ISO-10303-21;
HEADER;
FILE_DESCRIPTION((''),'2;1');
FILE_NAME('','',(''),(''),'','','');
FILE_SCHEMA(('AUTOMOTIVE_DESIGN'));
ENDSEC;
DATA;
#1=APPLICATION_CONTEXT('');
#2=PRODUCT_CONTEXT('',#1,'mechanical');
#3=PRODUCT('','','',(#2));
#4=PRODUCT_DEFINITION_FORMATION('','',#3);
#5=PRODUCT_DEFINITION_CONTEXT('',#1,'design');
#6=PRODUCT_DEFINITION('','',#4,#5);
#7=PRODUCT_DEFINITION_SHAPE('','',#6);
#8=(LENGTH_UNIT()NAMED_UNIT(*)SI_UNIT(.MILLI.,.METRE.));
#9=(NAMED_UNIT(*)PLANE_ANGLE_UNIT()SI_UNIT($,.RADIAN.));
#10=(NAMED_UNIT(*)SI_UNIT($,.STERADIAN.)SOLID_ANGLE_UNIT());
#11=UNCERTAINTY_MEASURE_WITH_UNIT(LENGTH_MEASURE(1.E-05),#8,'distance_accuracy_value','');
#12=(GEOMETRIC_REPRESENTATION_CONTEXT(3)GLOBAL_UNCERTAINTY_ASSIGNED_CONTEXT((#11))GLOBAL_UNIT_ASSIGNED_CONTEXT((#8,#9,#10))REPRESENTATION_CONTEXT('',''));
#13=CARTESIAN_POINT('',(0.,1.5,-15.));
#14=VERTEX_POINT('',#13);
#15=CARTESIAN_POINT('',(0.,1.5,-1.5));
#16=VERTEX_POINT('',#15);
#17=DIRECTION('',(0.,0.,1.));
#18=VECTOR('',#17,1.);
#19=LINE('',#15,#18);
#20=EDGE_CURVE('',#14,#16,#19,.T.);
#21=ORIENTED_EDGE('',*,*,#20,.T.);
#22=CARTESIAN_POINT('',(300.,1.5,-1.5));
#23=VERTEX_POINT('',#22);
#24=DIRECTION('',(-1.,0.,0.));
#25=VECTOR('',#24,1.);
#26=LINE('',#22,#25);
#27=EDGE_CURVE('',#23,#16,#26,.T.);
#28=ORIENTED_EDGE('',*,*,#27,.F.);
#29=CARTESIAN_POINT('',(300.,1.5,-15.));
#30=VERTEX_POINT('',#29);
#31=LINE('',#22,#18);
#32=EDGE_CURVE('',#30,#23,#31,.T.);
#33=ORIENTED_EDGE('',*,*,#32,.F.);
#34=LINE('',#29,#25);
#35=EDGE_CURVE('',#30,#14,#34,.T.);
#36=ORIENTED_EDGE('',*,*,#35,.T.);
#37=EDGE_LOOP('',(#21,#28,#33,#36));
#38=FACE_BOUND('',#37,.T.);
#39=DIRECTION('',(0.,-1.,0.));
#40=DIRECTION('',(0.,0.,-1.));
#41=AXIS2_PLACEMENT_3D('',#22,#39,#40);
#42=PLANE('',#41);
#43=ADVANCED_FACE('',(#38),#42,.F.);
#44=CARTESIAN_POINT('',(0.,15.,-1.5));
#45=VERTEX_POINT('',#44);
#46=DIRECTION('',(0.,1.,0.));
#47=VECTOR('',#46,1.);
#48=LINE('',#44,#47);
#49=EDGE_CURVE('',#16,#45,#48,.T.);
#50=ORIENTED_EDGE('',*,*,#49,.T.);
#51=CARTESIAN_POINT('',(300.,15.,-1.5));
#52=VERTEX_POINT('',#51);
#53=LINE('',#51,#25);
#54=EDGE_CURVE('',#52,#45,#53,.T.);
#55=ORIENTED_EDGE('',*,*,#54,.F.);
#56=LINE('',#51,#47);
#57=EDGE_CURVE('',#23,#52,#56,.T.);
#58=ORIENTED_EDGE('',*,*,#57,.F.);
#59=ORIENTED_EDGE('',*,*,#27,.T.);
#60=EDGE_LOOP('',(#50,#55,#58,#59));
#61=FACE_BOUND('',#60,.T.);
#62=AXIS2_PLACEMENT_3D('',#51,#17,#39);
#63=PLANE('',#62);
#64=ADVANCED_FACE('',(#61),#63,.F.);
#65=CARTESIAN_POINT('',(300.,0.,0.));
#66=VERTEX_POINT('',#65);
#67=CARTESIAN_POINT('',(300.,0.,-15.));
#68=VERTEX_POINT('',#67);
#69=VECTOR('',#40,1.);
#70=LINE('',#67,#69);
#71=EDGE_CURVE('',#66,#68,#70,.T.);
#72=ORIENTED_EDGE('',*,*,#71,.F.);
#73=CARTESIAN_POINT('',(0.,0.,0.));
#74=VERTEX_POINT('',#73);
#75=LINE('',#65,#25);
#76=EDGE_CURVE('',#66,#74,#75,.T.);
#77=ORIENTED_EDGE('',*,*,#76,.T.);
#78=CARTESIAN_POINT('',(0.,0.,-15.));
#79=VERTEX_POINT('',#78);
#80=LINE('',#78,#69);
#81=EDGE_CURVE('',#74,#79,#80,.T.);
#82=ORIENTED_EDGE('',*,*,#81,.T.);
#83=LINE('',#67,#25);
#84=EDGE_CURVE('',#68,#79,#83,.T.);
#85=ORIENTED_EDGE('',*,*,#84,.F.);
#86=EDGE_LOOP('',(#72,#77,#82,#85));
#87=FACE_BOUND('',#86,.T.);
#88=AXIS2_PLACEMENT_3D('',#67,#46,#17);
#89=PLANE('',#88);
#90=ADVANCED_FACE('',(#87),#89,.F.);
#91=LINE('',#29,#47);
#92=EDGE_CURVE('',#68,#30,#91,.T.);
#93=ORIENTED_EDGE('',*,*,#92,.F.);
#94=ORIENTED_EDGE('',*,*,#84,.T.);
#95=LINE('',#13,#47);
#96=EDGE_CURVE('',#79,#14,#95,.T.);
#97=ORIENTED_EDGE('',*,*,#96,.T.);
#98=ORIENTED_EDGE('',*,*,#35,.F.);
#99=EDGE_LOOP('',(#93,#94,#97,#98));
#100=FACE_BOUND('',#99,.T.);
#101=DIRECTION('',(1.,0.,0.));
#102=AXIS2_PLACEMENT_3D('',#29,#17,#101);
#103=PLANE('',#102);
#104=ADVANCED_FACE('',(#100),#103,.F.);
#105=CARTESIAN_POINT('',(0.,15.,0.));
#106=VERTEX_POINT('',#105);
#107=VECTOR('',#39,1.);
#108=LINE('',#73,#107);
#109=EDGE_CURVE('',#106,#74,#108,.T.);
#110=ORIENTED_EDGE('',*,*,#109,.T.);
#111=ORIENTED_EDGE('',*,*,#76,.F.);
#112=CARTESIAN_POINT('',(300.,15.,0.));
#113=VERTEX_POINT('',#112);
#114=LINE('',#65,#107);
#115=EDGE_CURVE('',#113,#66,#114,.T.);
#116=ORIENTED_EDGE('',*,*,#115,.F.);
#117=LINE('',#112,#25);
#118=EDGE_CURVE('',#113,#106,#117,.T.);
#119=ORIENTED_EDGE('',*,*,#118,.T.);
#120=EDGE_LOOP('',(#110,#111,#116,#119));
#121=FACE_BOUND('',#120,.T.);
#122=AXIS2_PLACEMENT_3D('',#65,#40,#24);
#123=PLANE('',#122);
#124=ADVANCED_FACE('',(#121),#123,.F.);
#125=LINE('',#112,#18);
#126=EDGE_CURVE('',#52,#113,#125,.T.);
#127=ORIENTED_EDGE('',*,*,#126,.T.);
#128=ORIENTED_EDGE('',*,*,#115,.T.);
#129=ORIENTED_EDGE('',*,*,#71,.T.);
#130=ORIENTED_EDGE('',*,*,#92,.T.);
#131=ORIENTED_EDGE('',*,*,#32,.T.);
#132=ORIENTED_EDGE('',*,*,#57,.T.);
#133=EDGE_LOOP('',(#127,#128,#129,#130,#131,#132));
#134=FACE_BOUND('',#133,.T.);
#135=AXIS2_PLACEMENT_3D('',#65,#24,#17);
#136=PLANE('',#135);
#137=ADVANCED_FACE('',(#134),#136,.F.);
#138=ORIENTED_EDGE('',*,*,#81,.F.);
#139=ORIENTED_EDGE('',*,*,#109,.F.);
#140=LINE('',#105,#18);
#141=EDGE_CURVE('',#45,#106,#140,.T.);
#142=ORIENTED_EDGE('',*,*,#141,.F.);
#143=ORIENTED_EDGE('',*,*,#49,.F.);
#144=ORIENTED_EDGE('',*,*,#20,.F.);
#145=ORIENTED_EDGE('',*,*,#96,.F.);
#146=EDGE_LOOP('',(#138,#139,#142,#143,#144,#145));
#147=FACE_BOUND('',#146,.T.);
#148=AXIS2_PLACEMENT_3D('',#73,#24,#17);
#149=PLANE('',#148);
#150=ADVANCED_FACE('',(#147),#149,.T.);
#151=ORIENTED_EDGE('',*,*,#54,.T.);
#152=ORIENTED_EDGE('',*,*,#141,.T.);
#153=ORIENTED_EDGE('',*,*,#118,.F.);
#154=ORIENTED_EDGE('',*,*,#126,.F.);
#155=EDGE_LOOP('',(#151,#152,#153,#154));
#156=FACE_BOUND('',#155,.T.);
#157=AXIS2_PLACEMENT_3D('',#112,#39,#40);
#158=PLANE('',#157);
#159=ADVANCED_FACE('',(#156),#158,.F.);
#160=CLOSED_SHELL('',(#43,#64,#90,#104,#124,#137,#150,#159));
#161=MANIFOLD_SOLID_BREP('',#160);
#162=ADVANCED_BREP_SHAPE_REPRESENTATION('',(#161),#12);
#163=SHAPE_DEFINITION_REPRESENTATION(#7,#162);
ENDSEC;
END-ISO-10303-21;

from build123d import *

# Parameters (mm, degrees)
EXTRUDE_1_DEPTH = 300


with BuildPart() as part:
    # Эскиз1 → Бобышка-Вытянуть1 (new body)
    with BuildSketch(Plane(origin=(0, 0, 0), x_dir=(0, 0, -1), z_dir=(1, 0, 0))):
        Polygon((0, 0), (0, 15), (1.5, 15), (1.5, 1.5), (15, 1.5), (15, 0), align=None)
    extrude(amount=EXTRUDE_1_DEPTH)


solid = part.part
